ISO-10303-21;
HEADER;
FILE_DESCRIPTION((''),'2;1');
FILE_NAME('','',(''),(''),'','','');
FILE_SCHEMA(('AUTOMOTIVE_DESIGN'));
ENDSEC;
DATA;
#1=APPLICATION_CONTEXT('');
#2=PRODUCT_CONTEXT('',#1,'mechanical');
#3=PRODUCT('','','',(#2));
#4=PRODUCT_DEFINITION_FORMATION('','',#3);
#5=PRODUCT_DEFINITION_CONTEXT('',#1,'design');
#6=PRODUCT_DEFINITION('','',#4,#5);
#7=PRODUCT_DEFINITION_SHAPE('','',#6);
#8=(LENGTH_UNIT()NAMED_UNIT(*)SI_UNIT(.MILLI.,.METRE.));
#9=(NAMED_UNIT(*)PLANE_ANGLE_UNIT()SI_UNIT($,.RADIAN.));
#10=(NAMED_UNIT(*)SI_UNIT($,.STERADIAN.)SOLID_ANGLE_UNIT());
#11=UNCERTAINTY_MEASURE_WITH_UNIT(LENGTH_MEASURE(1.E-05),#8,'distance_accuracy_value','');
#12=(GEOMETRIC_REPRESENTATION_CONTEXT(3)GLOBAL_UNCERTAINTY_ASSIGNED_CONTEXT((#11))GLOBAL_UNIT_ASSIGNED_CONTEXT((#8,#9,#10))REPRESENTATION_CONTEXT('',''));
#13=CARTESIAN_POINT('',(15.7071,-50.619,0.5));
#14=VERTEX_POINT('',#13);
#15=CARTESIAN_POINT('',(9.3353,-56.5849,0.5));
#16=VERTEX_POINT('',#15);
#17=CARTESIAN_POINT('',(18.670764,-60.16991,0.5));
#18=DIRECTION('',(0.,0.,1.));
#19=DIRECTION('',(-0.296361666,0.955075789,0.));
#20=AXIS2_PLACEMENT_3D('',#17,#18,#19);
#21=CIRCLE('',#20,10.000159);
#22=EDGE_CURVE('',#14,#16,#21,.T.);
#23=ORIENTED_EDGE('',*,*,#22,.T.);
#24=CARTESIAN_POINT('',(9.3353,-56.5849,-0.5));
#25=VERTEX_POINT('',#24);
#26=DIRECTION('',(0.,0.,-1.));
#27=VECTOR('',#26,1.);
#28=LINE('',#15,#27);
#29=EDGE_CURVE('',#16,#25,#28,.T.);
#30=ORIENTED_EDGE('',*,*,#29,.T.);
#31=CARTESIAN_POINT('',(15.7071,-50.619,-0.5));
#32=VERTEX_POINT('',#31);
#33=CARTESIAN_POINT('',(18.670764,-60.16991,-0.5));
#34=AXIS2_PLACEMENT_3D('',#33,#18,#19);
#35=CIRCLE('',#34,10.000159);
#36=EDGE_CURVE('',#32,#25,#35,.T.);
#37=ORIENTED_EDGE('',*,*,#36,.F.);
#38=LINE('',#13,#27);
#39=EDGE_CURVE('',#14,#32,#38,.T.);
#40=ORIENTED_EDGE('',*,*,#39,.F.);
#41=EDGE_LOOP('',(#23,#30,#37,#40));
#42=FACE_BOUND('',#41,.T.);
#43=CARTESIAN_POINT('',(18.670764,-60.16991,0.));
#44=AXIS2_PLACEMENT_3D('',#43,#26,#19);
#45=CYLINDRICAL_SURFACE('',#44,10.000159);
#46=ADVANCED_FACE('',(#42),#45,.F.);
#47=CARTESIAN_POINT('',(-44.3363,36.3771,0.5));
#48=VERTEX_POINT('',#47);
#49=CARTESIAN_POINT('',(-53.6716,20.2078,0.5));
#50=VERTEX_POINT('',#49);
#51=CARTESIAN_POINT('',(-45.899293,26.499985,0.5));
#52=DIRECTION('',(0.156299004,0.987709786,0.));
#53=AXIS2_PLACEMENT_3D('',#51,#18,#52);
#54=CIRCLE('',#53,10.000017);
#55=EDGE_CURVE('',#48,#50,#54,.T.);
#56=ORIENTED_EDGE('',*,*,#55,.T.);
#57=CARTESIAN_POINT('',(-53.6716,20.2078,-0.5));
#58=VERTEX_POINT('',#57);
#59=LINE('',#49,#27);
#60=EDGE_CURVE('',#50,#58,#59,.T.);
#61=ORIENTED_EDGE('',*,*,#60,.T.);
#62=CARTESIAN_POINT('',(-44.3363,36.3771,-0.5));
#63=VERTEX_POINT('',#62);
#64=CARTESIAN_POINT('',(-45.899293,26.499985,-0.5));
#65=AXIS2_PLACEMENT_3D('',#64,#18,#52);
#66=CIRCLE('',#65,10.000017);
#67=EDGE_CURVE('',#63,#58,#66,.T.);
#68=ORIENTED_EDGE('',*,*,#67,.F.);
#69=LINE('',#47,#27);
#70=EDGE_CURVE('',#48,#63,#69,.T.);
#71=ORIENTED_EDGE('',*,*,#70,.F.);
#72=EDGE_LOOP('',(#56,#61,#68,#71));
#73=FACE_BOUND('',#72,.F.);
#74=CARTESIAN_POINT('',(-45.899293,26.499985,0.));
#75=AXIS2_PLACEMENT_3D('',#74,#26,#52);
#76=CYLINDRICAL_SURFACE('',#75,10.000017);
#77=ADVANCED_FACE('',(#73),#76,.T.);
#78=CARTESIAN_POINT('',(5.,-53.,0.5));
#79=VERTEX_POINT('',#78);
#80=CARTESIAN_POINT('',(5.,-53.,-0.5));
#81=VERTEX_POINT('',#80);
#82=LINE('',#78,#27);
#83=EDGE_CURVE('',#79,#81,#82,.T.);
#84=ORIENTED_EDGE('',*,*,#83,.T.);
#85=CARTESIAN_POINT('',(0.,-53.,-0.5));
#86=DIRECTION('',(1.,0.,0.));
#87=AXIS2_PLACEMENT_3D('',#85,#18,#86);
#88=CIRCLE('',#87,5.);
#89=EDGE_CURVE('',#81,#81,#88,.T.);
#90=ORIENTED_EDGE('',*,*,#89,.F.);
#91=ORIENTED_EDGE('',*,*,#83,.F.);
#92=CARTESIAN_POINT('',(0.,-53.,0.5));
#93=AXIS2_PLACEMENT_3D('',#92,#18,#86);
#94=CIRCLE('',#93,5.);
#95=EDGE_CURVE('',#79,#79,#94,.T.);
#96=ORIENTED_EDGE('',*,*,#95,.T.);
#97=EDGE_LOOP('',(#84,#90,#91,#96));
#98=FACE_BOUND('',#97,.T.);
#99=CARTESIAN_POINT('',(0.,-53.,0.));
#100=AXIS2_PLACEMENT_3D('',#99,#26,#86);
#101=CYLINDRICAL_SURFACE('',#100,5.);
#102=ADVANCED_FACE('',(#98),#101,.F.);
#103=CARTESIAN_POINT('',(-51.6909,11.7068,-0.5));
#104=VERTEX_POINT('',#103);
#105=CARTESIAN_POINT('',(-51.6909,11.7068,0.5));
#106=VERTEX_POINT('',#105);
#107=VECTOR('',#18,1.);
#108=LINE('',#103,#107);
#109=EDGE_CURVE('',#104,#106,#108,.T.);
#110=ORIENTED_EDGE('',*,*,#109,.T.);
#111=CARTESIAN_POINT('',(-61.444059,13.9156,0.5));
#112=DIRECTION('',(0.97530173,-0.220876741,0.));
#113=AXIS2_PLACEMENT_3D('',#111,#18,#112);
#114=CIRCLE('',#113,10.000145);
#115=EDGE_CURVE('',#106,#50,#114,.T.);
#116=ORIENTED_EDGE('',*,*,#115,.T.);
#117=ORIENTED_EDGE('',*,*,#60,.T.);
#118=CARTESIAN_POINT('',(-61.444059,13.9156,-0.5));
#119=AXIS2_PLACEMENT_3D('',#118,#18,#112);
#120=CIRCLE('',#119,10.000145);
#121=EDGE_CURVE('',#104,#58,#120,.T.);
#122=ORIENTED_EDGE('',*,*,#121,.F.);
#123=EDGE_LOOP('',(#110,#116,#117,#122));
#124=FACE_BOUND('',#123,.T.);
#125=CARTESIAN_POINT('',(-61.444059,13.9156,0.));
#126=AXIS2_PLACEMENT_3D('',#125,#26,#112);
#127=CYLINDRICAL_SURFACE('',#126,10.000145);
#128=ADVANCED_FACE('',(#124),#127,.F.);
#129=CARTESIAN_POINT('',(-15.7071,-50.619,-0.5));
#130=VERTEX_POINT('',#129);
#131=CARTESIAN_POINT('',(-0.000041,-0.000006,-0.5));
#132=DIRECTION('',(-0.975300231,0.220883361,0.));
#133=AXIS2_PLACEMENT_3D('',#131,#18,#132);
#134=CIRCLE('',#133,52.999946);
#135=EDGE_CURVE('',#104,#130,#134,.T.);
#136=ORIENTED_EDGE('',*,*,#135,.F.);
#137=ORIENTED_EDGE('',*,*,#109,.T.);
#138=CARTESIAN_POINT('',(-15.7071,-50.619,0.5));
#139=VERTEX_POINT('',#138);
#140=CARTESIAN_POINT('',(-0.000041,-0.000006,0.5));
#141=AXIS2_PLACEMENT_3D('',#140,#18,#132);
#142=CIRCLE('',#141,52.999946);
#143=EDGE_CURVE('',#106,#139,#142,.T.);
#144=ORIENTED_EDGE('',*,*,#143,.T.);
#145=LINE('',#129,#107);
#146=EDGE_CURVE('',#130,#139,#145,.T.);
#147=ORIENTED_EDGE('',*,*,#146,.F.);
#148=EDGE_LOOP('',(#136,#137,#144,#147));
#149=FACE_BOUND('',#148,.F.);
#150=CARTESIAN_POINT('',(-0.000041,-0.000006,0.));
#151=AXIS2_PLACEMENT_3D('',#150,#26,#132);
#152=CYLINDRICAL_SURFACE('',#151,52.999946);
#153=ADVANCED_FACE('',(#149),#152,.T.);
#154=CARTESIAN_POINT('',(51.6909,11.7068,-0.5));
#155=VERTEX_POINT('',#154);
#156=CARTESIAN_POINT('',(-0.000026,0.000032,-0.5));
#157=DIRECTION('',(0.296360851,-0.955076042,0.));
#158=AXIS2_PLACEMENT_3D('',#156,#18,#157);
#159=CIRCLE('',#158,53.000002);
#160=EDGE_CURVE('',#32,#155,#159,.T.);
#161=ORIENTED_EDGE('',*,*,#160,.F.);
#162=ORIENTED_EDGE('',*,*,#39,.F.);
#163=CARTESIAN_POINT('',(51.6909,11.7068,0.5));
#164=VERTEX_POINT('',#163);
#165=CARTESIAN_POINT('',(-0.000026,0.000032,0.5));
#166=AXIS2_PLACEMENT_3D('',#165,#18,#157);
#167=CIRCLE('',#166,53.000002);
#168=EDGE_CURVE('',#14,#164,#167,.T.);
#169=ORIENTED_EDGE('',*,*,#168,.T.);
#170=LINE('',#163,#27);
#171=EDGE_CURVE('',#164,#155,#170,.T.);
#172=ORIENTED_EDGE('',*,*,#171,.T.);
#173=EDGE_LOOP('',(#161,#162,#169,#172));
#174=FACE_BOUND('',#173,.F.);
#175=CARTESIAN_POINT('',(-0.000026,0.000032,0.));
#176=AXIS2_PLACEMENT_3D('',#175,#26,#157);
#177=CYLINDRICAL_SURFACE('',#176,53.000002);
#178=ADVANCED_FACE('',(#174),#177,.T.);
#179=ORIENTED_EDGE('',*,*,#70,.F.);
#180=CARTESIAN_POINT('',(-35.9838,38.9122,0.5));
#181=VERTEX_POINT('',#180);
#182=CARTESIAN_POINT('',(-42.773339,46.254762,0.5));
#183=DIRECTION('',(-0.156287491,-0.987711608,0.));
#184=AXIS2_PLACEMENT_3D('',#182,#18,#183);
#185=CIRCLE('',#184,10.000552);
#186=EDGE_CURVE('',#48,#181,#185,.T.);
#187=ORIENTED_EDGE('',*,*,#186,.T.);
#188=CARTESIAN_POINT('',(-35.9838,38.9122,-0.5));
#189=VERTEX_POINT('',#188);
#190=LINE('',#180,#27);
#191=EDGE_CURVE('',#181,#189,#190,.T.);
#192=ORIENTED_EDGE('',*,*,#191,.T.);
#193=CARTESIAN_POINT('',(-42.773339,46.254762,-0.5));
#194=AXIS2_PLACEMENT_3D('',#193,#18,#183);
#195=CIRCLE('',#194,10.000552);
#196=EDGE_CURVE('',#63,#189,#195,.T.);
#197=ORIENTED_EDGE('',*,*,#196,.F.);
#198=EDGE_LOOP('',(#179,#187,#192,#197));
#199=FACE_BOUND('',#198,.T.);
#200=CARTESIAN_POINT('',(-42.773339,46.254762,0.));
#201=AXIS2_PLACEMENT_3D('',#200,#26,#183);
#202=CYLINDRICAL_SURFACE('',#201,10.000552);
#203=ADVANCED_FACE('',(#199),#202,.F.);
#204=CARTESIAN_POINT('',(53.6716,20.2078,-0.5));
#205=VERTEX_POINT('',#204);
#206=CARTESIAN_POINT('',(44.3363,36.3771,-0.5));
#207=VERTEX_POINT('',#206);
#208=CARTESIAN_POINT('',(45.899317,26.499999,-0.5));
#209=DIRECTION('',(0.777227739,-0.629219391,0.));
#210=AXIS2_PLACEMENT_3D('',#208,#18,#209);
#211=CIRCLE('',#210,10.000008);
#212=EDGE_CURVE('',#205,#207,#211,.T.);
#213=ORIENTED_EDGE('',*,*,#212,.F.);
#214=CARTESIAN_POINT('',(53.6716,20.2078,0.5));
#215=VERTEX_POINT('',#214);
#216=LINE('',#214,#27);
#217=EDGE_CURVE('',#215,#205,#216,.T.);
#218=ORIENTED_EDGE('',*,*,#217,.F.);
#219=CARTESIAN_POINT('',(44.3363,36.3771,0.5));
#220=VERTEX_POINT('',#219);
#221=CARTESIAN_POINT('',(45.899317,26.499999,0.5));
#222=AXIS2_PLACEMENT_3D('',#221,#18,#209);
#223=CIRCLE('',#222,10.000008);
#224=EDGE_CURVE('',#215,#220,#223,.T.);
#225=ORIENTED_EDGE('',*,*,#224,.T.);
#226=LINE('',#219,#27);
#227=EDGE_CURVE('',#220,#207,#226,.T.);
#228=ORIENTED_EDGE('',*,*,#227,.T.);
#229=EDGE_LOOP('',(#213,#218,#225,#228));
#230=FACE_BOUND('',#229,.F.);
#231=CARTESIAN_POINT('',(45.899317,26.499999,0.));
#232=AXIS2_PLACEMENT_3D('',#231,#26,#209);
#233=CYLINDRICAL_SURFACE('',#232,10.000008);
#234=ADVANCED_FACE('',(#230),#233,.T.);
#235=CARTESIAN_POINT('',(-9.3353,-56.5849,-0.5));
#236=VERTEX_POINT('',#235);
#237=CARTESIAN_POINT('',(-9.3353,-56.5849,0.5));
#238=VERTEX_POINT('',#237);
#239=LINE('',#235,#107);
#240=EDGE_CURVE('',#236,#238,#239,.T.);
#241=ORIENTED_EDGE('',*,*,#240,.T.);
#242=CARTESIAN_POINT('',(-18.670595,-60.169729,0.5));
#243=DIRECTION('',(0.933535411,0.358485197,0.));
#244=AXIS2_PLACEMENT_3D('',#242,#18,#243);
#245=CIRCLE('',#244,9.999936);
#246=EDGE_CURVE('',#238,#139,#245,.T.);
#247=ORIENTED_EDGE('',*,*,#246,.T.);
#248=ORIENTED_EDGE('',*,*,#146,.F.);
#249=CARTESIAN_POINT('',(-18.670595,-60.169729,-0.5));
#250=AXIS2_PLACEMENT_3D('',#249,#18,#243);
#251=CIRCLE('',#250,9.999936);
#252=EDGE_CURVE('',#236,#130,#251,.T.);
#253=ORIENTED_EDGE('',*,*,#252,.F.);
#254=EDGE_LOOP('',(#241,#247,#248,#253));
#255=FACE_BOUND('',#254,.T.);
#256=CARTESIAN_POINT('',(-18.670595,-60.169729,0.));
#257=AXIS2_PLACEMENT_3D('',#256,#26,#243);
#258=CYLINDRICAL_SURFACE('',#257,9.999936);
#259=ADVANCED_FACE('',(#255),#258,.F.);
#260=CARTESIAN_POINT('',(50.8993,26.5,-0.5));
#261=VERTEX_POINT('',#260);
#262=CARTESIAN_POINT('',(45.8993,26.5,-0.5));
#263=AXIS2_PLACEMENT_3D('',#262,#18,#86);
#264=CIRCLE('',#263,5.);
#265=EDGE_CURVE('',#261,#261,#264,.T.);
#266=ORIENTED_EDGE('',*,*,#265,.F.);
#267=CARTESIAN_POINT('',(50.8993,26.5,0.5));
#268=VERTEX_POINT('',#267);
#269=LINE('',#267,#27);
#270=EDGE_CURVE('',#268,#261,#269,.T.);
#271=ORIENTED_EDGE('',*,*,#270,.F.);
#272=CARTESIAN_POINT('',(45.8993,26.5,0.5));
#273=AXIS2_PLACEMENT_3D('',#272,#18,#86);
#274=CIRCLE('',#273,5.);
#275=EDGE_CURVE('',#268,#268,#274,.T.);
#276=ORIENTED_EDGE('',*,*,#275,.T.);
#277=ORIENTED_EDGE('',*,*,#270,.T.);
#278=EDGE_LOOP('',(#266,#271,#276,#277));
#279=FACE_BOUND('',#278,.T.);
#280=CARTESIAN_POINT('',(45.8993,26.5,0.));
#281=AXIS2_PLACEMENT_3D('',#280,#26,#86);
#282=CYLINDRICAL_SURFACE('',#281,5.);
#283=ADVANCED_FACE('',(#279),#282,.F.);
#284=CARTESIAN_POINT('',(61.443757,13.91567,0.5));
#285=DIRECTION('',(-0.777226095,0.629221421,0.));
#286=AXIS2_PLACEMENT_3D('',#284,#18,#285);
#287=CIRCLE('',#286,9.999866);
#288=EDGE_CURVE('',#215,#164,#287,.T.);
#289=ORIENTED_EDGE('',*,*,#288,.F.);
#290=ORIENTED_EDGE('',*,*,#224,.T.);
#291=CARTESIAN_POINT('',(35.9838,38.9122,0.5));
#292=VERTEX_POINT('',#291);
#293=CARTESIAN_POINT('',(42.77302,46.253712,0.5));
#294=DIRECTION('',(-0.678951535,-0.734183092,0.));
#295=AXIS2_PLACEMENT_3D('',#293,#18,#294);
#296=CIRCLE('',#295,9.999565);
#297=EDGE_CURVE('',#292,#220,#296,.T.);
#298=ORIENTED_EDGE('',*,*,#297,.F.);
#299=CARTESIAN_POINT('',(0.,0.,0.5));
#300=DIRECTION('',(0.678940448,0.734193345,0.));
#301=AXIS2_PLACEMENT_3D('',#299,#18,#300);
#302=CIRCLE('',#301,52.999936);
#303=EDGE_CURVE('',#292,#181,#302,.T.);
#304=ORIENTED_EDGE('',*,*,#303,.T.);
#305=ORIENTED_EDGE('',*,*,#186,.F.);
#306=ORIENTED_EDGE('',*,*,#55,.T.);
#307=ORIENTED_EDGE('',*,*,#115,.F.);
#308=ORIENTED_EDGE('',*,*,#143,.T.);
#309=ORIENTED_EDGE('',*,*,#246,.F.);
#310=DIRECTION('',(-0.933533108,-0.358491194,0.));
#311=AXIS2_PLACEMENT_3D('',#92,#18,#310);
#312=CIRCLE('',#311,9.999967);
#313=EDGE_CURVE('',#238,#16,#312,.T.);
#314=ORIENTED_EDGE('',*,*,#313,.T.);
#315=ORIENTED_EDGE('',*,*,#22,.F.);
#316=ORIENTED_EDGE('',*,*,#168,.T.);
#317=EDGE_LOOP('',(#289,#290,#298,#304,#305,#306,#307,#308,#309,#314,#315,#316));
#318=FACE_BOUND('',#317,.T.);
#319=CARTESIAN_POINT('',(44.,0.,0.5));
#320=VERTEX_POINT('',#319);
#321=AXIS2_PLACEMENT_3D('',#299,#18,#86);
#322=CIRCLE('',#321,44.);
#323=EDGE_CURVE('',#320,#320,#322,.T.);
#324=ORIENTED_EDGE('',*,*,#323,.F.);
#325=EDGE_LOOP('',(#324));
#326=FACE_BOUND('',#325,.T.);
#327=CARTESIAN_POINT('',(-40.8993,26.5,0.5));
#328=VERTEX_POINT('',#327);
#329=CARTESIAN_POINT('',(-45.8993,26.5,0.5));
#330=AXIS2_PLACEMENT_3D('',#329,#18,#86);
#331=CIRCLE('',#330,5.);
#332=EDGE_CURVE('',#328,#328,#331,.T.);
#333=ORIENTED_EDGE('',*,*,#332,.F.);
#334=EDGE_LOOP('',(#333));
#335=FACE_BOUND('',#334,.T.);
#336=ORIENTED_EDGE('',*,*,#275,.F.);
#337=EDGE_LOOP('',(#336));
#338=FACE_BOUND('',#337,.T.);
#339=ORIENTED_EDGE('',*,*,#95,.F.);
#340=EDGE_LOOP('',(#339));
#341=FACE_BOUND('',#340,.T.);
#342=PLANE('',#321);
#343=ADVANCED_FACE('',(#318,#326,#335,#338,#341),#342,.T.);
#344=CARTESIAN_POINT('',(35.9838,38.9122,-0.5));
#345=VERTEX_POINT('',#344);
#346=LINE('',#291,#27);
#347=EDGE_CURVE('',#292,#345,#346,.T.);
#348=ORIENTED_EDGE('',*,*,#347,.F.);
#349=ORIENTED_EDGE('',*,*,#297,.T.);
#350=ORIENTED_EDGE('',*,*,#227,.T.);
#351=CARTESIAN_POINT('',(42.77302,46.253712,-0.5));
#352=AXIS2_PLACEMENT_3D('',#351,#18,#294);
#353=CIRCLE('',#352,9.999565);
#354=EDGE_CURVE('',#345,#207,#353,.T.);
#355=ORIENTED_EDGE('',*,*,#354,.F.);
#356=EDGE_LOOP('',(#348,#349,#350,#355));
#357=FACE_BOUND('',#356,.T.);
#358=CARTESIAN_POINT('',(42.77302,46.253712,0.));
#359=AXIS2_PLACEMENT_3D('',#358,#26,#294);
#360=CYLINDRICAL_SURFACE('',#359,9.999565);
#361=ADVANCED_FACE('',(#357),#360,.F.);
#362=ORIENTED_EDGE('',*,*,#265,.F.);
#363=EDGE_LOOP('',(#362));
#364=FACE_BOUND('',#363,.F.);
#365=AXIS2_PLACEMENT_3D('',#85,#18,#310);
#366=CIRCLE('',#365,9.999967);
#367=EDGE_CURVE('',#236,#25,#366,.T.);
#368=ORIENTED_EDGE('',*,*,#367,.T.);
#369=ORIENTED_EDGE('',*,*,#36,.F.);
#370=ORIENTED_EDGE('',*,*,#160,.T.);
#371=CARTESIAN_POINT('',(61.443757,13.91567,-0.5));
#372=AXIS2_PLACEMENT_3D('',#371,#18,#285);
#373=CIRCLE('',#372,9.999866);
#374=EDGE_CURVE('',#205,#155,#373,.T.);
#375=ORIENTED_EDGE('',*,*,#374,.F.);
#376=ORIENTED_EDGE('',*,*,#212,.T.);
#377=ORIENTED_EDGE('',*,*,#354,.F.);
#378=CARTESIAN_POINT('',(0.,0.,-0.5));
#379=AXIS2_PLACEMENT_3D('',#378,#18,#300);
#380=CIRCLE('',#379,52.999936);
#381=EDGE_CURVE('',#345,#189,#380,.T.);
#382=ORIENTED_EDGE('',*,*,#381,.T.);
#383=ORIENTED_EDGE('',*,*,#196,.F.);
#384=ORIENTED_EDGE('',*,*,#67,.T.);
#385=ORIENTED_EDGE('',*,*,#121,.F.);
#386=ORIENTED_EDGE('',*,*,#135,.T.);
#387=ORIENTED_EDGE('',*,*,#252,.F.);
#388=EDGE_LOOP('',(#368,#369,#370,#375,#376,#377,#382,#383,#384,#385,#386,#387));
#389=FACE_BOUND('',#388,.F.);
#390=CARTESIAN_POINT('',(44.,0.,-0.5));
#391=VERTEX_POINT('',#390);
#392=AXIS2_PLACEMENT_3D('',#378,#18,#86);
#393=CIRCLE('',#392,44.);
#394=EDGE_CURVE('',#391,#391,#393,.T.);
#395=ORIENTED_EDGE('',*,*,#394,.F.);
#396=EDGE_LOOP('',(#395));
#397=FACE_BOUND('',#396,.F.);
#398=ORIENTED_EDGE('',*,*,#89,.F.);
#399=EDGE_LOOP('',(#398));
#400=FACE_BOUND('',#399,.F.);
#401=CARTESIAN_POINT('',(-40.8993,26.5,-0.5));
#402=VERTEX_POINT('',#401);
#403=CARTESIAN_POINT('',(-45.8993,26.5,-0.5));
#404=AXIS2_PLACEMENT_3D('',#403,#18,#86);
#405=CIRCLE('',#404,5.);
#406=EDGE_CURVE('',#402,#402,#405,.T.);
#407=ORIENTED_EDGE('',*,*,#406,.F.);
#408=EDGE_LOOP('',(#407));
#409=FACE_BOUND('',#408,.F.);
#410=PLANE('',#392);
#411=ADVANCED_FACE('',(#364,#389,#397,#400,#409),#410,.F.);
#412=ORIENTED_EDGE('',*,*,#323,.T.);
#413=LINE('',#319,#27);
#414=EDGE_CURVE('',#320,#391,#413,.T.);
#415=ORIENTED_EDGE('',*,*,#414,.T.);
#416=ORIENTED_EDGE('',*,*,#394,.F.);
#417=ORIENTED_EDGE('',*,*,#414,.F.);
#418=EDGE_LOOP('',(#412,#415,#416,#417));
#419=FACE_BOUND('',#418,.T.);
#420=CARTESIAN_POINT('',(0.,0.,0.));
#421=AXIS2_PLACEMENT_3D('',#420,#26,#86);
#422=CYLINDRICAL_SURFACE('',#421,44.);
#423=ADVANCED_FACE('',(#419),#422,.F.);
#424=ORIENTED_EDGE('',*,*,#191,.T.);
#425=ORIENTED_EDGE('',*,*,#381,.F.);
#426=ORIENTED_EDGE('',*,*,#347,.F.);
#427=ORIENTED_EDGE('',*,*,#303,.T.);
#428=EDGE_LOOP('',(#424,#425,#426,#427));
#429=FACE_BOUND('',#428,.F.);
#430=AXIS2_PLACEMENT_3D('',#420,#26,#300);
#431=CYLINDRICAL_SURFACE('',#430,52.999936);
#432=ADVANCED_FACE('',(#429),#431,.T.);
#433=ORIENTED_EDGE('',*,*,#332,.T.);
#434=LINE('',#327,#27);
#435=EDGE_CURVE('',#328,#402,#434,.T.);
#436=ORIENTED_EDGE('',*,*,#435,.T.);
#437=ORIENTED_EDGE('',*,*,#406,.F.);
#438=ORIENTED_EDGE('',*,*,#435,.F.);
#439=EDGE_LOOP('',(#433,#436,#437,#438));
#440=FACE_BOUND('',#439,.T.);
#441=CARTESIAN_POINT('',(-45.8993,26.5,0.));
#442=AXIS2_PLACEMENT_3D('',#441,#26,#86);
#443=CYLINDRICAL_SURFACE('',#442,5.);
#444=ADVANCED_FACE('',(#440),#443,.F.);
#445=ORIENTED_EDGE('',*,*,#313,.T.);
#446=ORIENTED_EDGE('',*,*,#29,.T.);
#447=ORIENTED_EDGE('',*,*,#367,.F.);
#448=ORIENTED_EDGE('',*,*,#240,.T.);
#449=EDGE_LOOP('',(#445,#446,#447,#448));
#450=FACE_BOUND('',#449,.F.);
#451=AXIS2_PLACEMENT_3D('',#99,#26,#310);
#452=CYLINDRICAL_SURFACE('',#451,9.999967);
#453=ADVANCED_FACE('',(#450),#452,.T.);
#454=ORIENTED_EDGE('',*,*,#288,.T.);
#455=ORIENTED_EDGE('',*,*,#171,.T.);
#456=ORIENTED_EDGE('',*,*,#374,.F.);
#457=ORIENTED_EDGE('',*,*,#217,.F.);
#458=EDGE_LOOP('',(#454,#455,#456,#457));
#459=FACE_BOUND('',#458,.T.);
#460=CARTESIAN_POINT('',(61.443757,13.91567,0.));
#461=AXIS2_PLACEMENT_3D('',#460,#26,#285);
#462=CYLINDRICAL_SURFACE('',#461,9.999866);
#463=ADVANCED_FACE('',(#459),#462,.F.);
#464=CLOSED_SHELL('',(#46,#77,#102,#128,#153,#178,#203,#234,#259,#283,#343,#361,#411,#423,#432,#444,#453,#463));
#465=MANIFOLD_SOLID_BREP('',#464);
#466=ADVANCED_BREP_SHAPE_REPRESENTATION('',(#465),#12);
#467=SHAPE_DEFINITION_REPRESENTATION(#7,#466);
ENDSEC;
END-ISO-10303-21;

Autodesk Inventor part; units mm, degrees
ref_plane "YZ Plane" through (0, 0, 0) normal (1, 0, 0) x (0, 1, 0)
ref_plane "XZ Plane" through (0, 0, 0) normal (0, 1, 0) x (-1, 0, 0)
ref_plane "XY Plane" through (0, 0, 0) normal (0, 0, 1) x (1, 0, 0)
sketch "Эскиз1" plane through (0, 0, 0) normal (0, 0, 1) x (1, 0, 0)
  circle A0 centre (0, 0) radius 44
  circle A1 centre (-45.8993, 26.5) radius 5
  circle A2 centre (45.8993, 26.5) radius 5
  circle A3 centre (0, -53) radius 5
  line L0 (0, 0) -> (-45.8993, 26.5) construction
  line L1 (0, 0) -> (45.8993, 26.5) construction
  line L2 (0, -53) -> (0, 0) construction
  arc A4 (-51.6909, 11.7068) -> (-53.6716, 20.2078) centre (-61.4439, 13.9156) ccw
  arc A5 (-44.3363, 36.3771) -> (-53.6716, 20.2078) centre (-45.8993, 26.5) ccw
  arc A6 (-44.3363, 36.3771) -> (-35.9838, 38.9122) centre (-42.7733, 46.2542) ccw
  arc A7 (35.9838, 38.9122) -> (44.3363, 36.3771) centre (42.7733, 46.2542) ccw
  arc A8 (53.6716, 20.2078) -> (44.3363, 36.3771) centre (45.8993, 26.5) ccw
  arc A9 (53.6716, 20.2078) -> (51.6909, 11.7068) centre (61.4439, 13.9156) ccw
  arc A10 (15.7071, -50.619) -> (9.3353, -56.5849) centre (18.6707, -60.1698) ccw
  arc A11 (-9.3353, -56.5849) -> (9.3353, -56.5849) centre (0, -53) ccw
  arc A12 (-9.3353, -56.5849) -> (-15.7071, -50.619) centre (-18.6707, -60.1698) ccw
  arc A13 (4.9944, -52.7642) -> (0, -53) centre (0, 0) ccw construction
  arc A14 (35.9838, 38.9122) -> (-35.9838, 38.9122) centre (0, 0) ccw
  arc A15 (-51.6909, 11.7068) -> (-15.7071, -50.619) centre (0, 0) ccw
  arc A16 (15.7071, -50.619) -> (51.6909, 11.7068) centre (0, 0) ccw
  dimension "d0" = 88
  dimension "d2" = 10
  dimension "d3" = 120
  dimension "d4" = 120
  dimension "d6" = 10
  dimension "d7" = 106
  dimension "d8" = 53
  dimension "d10" = 53
extrude "Выдавливание1" add sketch "Эскиз1" along normal mid plane 1
properties part number "79. Прокладка"
